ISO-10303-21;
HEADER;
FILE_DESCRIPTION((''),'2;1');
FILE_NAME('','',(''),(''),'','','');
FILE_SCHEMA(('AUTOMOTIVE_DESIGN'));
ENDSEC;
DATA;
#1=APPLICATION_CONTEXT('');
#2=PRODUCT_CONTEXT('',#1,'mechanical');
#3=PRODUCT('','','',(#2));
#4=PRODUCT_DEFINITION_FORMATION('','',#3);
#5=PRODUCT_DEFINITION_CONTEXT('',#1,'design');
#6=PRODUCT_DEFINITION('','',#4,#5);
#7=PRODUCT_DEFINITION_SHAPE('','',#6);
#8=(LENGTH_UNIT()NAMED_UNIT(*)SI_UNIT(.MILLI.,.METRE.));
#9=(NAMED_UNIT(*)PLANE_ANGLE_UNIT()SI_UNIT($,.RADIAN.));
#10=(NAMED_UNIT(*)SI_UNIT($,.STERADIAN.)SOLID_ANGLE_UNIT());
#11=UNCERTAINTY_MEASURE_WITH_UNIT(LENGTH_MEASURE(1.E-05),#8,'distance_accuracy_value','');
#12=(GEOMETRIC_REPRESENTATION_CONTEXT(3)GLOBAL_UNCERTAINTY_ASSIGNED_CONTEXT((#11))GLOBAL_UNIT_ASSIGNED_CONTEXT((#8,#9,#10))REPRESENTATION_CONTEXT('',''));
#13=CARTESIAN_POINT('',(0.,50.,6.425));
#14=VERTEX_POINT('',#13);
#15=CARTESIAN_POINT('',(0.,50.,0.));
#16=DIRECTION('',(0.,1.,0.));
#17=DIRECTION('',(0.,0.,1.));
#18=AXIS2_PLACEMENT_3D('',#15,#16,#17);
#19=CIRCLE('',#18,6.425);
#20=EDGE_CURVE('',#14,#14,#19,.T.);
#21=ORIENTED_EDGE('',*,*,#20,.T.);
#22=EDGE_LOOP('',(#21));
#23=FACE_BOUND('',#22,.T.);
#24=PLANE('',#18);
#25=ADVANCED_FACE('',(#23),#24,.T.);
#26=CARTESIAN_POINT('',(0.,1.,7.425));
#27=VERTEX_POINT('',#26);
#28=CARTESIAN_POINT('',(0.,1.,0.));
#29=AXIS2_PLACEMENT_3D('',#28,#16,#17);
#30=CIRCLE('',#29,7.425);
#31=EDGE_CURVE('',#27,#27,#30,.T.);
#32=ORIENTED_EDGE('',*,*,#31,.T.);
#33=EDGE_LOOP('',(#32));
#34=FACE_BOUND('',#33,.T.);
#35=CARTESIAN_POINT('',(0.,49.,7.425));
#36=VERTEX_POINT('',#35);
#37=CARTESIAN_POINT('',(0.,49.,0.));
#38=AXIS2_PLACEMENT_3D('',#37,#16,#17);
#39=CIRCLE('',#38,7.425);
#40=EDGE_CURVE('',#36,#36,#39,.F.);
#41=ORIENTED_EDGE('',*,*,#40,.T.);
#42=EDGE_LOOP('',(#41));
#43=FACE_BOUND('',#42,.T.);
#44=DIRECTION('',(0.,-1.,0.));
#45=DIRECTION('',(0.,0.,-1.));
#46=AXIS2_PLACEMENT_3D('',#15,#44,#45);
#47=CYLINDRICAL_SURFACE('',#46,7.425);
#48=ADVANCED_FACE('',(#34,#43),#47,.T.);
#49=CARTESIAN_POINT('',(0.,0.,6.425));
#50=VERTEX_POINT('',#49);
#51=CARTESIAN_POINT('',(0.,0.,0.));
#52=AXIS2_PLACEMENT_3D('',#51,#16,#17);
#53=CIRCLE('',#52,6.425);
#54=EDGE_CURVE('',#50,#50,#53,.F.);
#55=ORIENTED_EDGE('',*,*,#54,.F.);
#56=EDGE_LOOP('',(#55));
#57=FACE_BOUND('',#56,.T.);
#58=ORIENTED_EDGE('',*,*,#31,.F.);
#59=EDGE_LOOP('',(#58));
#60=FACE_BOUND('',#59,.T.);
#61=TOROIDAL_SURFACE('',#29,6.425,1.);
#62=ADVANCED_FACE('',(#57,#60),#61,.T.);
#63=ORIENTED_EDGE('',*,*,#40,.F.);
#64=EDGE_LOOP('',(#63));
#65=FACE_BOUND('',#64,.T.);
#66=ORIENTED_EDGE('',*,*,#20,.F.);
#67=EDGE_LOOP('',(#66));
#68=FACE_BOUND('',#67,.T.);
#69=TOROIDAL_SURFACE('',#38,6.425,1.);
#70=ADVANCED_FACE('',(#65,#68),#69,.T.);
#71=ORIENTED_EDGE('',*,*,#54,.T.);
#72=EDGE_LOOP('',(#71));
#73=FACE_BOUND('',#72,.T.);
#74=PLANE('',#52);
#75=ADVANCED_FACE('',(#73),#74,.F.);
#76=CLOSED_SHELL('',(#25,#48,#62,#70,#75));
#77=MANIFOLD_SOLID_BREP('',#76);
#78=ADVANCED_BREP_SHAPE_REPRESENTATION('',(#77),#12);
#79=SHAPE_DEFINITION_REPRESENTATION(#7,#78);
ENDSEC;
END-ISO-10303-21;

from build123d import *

# Parameters (mm, degrees)
CROQUIS1_R              = 7.425
SALIENTE_EXTRUIR1_DEPTH = 50
REDONDEO1_R             = 1


with BuildPart() as part:
    # Croquis1 → Saliente-Extruir1 (new body)
    with BuildSketch(Plane(origin=(0, 0, 0), x_dir=(1, 0, 0), z_dir=(0, 1, 0))):
        with Locations(Location((0, 0, 0), (0, 0, 270))):
            Circle(CROQUIS1_R)
    extrude(amount=SALIENTE_EXTRUIR1_DEPTH)

    # Redondeo1
    redondeo1_edges = [part.edges().sort_by_distance(p)[0] for p in [
        (0, 0, -7.425),
        (0, 50, -7.425),
    ]]
    fillet(redondeo1_edges, radius=REDONDEO1_R)


solid = part.part
